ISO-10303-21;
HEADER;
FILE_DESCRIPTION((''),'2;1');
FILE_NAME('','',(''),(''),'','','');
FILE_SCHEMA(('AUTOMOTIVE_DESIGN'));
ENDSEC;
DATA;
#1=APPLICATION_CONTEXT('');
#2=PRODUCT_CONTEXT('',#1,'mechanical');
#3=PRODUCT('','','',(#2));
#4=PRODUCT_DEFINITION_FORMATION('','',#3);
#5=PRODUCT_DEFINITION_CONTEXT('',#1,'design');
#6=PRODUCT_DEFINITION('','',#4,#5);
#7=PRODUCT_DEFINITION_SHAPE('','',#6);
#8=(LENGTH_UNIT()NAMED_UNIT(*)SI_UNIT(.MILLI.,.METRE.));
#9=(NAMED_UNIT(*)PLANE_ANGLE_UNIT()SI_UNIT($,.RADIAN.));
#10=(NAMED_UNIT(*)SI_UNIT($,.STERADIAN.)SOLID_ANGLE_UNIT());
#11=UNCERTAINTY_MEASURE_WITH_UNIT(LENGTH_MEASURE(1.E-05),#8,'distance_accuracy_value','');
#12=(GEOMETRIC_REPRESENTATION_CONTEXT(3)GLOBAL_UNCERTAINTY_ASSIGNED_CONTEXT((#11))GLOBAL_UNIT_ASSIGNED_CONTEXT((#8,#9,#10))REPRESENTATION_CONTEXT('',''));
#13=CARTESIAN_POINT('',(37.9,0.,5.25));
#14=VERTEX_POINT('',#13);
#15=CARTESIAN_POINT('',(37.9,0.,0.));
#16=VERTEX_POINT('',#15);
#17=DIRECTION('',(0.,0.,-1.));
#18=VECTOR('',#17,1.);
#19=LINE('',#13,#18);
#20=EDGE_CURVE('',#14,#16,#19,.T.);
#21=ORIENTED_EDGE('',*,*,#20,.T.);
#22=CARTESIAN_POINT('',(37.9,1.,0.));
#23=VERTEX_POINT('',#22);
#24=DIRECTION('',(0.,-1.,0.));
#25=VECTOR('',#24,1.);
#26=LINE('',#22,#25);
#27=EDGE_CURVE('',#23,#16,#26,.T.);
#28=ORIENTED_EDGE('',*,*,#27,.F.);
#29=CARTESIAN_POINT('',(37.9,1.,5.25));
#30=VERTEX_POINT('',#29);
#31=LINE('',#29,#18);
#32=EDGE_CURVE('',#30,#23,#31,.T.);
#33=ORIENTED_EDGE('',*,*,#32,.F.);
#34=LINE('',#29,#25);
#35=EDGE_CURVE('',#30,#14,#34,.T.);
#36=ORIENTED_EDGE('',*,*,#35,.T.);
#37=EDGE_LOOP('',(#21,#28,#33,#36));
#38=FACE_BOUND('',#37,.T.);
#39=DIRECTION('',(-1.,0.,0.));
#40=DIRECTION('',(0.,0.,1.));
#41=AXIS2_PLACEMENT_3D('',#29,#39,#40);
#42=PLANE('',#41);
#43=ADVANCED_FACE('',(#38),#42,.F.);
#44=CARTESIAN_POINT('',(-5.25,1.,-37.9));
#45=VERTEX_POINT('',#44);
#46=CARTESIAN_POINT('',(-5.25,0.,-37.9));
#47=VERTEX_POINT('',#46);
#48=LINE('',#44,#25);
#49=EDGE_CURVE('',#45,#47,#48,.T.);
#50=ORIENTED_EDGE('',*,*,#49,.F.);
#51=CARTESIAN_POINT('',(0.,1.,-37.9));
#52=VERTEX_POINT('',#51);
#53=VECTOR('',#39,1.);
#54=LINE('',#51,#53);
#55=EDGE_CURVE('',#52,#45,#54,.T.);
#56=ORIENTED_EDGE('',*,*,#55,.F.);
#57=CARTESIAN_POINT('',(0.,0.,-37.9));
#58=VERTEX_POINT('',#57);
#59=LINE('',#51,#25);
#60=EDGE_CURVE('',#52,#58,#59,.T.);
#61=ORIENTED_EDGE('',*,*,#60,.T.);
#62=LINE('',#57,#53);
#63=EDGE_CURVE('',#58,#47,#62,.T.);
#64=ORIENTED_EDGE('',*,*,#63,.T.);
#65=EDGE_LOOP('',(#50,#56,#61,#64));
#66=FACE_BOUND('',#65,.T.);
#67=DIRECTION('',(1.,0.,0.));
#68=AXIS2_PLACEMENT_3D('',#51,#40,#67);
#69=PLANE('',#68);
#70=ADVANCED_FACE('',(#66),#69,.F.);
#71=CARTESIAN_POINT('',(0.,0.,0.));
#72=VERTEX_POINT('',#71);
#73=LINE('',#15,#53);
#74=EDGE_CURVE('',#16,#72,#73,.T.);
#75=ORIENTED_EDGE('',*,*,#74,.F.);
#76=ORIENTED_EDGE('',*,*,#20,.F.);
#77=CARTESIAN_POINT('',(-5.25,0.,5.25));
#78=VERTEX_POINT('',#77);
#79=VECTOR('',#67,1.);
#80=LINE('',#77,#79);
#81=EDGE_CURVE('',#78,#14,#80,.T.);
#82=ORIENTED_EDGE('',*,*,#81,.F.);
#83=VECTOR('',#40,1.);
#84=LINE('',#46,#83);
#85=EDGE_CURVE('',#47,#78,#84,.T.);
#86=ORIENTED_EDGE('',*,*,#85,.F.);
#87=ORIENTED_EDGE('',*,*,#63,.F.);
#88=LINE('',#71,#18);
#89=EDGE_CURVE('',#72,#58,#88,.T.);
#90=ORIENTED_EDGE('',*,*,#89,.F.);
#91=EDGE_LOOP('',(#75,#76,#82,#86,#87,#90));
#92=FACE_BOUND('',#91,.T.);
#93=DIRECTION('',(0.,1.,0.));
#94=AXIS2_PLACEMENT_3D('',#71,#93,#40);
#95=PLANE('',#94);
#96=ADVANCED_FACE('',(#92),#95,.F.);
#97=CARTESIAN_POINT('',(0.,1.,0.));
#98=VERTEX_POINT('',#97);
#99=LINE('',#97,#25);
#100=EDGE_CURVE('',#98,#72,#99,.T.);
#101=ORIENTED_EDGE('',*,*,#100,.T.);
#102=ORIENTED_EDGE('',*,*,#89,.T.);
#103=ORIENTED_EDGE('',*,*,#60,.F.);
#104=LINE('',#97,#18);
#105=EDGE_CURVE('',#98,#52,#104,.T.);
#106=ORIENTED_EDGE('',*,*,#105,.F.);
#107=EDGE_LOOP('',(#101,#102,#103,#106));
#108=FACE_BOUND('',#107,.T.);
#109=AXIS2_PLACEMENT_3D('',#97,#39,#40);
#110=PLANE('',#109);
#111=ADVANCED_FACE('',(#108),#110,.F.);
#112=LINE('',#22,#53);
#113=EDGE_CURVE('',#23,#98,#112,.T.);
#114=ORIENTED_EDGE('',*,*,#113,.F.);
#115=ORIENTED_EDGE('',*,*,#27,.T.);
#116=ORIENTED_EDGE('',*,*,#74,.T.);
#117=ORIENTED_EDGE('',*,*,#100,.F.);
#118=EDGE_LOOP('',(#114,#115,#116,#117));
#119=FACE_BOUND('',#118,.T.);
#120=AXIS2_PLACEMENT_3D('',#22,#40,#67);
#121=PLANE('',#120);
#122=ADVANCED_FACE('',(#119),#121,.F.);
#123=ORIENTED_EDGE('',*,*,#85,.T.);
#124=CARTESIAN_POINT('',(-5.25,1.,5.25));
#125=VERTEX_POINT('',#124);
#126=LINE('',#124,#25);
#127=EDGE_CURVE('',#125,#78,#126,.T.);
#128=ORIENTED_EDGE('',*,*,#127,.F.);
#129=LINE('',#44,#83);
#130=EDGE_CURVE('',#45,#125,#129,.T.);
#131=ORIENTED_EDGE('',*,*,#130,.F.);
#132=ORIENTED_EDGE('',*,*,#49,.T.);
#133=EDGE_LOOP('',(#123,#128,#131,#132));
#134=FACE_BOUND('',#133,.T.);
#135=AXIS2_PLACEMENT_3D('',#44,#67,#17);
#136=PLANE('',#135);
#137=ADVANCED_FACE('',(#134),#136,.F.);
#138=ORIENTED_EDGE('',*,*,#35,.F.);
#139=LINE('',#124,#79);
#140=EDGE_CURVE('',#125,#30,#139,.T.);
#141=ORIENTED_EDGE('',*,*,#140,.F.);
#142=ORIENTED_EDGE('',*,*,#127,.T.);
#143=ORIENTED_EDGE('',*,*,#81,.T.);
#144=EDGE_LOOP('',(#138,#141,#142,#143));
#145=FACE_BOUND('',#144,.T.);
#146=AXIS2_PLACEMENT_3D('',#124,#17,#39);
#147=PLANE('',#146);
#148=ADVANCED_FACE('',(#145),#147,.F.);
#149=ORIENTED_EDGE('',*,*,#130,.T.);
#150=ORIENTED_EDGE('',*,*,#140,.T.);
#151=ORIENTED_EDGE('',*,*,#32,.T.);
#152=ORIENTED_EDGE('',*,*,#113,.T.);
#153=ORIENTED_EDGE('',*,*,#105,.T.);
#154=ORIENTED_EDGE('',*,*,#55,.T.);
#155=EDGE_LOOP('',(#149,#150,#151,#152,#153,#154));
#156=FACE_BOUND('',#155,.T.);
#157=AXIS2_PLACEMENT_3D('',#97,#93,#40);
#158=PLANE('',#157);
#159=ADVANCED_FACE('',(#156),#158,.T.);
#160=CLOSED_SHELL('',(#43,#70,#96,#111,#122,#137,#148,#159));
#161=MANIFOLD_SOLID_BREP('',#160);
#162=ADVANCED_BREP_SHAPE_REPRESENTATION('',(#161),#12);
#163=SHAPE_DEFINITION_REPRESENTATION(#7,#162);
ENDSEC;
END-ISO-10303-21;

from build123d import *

# Parameters (mm, degrees)
BOSS_EXTRUDE1_DEPTH = 1


with BuildPart() as part:
    # Sketch1 → Boss-Extrude1 (new body)
    with BuildSketch(Plane(origin=(0, 0, 0), x_dir=(1, 0, 0), z_dir=(0, 1, 0))):
        Polygon((-5.25, 37.9), (-5.25, -5.25), (37.9, -5.25), (37.9, 0), (0, 0), (0, 37.9), align=None)
    extrude(amount=BOSS_EXTRUDE1_DEPTH)


solid = part.part
